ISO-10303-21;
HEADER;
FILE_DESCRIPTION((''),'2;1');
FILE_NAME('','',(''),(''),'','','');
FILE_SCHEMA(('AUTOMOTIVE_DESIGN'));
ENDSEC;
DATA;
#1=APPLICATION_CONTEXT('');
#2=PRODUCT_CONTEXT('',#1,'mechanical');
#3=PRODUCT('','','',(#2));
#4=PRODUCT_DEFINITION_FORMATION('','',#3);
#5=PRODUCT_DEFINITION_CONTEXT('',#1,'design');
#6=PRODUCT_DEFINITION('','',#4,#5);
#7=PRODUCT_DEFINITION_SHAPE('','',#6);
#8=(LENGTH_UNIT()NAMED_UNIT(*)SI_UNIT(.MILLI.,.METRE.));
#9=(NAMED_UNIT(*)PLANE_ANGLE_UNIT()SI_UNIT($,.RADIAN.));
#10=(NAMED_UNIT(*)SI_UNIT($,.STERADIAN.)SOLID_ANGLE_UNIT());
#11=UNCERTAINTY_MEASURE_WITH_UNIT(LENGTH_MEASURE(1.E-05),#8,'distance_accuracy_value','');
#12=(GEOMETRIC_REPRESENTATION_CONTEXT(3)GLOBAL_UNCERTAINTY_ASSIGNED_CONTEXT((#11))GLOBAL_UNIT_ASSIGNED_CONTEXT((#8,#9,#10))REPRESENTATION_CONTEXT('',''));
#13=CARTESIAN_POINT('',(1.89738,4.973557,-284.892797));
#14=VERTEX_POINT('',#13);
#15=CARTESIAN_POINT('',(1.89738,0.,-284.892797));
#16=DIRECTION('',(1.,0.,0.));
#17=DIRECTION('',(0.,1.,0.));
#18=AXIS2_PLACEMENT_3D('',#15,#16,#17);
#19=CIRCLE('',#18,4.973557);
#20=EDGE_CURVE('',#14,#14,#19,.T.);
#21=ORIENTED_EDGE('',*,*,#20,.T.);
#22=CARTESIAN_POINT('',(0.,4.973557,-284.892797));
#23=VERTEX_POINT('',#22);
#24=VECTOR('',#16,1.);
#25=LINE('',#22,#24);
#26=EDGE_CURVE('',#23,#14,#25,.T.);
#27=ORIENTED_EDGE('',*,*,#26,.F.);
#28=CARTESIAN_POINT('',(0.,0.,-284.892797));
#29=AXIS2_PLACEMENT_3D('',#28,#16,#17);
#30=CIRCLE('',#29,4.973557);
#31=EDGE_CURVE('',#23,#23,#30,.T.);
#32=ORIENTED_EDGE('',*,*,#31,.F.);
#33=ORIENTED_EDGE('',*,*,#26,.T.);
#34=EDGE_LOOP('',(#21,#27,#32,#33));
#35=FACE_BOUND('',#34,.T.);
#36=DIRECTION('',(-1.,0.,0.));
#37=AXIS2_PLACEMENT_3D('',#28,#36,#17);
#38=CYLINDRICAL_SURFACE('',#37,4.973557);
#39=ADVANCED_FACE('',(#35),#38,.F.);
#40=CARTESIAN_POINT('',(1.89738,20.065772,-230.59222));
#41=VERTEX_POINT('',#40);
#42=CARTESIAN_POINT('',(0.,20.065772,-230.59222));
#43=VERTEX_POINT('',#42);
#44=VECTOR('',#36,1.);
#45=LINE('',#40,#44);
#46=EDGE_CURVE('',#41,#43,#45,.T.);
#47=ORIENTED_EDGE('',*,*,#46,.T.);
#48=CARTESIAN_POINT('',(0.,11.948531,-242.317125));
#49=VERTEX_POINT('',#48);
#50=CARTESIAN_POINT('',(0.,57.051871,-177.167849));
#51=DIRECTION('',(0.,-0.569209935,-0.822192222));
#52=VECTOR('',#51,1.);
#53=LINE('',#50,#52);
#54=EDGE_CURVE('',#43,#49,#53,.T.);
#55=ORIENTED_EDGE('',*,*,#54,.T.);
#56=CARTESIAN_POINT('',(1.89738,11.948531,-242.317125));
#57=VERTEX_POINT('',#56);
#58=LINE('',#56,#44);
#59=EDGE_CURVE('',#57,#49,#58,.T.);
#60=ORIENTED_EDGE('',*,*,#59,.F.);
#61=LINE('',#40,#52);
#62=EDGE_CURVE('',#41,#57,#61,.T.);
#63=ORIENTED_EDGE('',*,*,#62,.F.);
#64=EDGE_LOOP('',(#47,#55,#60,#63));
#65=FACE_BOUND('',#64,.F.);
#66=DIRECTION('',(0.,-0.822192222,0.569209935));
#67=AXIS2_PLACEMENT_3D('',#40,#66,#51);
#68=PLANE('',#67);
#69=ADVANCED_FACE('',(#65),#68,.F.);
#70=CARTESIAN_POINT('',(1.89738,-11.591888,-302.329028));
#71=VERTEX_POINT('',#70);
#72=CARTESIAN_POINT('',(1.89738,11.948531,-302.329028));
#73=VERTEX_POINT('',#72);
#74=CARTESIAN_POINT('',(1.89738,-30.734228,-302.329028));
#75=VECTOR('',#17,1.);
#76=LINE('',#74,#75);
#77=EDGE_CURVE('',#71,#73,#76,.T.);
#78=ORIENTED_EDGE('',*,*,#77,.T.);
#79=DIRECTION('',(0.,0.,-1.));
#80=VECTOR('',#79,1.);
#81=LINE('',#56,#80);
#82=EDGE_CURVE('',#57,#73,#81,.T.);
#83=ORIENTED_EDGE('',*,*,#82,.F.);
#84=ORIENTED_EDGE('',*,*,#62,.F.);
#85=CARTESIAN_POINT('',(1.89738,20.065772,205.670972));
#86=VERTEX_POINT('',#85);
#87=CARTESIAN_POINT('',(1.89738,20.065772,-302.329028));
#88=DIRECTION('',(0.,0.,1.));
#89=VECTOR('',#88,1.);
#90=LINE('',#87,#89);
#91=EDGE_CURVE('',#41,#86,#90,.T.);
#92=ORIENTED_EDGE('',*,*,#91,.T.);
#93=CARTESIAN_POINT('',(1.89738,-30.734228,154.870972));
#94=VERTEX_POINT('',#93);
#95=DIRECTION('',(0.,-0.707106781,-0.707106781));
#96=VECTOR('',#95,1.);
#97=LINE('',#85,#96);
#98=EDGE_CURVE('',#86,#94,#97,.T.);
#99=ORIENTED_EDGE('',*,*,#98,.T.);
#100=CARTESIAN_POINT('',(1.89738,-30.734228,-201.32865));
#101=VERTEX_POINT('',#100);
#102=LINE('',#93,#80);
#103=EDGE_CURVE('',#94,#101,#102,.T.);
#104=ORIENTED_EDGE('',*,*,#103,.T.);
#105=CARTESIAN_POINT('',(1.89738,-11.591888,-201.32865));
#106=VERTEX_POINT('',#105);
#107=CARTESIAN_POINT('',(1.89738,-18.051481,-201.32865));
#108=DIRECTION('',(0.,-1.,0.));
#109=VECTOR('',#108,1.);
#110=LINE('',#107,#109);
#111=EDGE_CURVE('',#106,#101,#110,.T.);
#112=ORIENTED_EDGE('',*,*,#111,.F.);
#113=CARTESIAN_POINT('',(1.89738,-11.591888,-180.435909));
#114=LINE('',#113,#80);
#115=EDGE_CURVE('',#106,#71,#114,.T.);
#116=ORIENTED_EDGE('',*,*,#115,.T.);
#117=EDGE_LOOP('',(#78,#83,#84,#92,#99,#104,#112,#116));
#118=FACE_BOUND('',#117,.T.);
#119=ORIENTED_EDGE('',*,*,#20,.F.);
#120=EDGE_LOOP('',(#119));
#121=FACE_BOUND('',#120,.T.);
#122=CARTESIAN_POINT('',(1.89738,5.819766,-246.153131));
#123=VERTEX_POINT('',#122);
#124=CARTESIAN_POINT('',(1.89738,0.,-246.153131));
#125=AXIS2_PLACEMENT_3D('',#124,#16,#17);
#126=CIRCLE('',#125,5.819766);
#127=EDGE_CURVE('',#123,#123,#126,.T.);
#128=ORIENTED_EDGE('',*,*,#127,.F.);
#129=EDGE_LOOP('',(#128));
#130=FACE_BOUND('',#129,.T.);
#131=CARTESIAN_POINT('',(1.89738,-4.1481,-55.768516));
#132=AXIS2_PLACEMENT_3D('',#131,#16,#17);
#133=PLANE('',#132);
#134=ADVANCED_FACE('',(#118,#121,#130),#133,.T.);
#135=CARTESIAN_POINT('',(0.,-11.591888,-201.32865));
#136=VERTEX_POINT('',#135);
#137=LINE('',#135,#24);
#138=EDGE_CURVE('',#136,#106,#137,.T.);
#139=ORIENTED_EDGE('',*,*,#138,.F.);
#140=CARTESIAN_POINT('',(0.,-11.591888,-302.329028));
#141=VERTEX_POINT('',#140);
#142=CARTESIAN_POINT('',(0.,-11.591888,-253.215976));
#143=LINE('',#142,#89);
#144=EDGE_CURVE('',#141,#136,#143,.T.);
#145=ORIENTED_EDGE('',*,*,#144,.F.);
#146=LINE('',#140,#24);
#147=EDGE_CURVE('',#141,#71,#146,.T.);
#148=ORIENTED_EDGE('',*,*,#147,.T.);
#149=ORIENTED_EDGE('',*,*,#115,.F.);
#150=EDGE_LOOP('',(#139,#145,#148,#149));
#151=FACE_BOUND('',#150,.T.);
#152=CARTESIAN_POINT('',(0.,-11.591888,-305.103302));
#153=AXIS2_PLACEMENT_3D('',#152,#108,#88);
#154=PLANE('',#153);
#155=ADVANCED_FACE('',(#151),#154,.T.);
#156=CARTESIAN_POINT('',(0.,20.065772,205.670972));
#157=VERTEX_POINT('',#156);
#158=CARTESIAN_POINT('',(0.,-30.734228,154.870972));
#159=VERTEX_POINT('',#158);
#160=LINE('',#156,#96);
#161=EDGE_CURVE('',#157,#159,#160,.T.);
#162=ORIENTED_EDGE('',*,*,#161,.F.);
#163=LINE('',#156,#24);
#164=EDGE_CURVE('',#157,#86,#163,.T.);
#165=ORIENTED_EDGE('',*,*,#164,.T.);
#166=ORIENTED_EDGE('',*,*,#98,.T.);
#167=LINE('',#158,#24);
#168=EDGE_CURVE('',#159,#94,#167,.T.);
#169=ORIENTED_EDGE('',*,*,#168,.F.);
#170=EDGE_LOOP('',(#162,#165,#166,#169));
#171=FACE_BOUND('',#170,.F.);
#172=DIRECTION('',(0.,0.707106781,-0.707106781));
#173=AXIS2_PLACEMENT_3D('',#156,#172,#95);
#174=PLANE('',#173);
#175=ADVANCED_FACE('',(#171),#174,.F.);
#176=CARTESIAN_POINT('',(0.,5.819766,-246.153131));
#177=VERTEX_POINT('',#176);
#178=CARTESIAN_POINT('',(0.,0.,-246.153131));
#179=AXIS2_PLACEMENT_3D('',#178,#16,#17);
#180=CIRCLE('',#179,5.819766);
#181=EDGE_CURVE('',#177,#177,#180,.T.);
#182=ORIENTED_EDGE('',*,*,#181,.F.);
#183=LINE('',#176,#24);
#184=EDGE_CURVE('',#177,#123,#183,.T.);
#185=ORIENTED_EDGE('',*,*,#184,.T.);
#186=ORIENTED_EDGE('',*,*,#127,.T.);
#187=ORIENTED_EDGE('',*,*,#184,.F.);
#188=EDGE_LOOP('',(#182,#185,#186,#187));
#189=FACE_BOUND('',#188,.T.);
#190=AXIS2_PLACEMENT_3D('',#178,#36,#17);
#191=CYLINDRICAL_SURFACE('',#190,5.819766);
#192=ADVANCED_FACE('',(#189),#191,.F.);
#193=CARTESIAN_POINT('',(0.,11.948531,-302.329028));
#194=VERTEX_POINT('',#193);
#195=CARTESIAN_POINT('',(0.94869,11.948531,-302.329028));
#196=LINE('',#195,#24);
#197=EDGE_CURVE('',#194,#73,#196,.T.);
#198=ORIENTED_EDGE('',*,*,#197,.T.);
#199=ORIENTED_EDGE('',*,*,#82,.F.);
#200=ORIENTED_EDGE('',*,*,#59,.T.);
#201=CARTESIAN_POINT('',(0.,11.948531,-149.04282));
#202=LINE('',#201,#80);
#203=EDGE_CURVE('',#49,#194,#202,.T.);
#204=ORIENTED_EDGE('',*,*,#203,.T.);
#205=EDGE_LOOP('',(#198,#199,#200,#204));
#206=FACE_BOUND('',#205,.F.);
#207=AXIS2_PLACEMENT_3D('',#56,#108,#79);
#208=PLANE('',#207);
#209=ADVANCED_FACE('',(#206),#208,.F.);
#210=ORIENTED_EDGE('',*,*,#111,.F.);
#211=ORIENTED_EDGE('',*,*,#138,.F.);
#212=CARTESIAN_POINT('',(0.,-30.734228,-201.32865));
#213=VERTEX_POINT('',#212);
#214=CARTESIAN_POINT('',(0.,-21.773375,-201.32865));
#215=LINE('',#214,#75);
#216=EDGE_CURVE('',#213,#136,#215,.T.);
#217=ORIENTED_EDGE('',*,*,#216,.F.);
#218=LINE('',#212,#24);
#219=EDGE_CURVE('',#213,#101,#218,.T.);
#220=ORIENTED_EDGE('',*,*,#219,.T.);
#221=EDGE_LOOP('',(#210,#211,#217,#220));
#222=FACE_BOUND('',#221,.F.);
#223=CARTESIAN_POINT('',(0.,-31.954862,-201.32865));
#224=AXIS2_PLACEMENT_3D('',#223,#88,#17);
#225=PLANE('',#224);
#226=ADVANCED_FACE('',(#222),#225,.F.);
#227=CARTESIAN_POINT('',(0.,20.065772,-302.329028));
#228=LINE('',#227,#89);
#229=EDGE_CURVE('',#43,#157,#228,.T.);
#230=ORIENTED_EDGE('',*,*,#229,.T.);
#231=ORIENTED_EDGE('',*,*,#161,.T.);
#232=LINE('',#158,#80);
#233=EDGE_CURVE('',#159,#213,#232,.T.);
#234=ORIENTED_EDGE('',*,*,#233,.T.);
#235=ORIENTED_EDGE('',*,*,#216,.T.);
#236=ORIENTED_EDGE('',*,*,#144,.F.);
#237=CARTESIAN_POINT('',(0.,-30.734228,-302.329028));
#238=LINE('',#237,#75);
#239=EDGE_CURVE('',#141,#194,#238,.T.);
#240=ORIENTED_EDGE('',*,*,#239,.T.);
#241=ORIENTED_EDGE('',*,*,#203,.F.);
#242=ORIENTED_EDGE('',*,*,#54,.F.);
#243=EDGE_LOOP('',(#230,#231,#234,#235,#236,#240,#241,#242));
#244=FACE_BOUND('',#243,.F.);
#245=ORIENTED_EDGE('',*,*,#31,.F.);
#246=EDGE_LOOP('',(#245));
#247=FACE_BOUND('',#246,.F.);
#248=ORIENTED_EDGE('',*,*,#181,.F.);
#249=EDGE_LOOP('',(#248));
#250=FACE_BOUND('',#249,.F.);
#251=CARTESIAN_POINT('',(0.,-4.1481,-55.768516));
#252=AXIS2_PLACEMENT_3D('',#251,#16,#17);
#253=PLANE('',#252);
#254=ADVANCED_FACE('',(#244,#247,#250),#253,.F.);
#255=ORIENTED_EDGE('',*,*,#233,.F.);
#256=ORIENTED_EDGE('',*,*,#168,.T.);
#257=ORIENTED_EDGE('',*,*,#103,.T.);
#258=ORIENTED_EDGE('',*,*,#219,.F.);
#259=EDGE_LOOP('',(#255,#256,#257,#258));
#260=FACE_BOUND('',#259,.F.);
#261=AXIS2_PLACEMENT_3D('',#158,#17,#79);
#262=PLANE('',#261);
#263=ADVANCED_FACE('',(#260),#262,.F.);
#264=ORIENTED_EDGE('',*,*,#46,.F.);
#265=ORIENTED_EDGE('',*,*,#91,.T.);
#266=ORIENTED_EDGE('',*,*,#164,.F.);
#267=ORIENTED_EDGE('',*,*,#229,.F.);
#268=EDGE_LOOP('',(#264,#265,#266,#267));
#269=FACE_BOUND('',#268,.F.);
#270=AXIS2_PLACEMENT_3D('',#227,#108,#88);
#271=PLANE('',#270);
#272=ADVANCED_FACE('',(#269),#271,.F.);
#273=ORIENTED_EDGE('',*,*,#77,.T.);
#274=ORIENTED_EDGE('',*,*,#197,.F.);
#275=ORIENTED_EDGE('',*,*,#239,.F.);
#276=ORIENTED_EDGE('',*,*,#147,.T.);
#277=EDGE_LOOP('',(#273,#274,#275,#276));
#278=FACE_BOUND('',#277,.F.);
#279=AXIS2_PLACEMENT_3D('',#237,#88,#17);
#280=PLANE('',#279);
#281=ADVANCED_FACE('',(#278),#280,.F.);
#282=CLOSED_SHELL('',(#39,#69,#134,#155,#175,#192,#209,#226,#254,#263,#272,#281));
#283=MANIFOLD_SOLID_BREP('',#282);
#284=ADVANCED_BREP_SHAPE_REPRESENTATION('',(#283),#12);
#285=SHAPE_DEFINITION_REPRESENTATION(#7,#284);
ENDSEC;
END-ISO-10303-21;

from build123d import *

# Parameters (mm, degrees)
F0_R     = 4.973557
F0_R_2   = 5.819766
F1_DEPTH = 1.89738
F2_DEPTH = 1.89738
F5_DEPTH = 25.4
F6_W     = 20.362974
F6_H     = 103.774652
F7_DEPTH = 1.89838


with BuildPart() as f1:
    # F0 (on Right) → F1 (new body)
    with BuildSketch(Plane.YZ):
        Polygon((20.065772, -302.329028), (20.065772, 205.670972), (-30.734228, 154.870972), (-30.734228, -302.329028), align=None)
        with Locations((0, -284.892797)):
            Circle(F0_R, mode=Mode.SUBTRACT)
        with Locations((0, -246.153131)):
            Circle(F0_R_2, mode=Mode.SUBTRACT)
    extrude(amount=F1_DEPTH)

    # F0 (on Right) → F2 (join)
    with BuildSketch(Plane.YZ):
        Polygon((20.065772, -302.329028), (20.065772, 205.670972), (-30.734228, 154.870972), (-30.734228, -302.329028), align=None)
        with Locations((0, -284.892797)):
            Circle(F0_R, mode=Mode.SUBTRACT)
        with Locations((0, -246.153131)):
            Circle(F0_R_2, mode=Mode.SUBTRACT)
    extrude(amount=F2_DEPTH)

    # F4 (on face) → F5 (cut)
    with BuildSketch(Plane.YZ.offset(1.89738)):
        Polygon((-30.734228, -234.08674), (-31.288195, -233.662769), (-31.288195, -303.030223), (-19.98027, -303.18138), (-19.98027, -302.329028), (-30.734228, -302.329028), align=None)
        Polygon((20.065772, -302.329028), (11.948531, -302.329028), (11.948531, -303.18138), (20.324497, -303.18138), (20.928504, -229.346052), (20.065772, -230.59222), align=None)
        Polygon((11.948531, -242.317125), (11.948531, -302.329028), (20.065772, -302.329028), (20.065772, -230.59222), align=None)
        Polygon((-19.98027, -242.317125), (-30.734228, -234.08674), (-30.734228, -302.329028), (-19.98027, -302.329028), align=None)
    extrude(amount=-F5_DEPTH, mode=Mode.SUBTRACT)

    # F6 (on Right) → F7 (cut, through all)
    with BuildSketch(Plane.YZ):
        with Locations((-21.773375, -253.215976)):
            Rectangle(F6_W, F6_H)
    extrude(amount=F7_DEPTH, mode=Mode.SUBTRACT)


solid = f1.part
